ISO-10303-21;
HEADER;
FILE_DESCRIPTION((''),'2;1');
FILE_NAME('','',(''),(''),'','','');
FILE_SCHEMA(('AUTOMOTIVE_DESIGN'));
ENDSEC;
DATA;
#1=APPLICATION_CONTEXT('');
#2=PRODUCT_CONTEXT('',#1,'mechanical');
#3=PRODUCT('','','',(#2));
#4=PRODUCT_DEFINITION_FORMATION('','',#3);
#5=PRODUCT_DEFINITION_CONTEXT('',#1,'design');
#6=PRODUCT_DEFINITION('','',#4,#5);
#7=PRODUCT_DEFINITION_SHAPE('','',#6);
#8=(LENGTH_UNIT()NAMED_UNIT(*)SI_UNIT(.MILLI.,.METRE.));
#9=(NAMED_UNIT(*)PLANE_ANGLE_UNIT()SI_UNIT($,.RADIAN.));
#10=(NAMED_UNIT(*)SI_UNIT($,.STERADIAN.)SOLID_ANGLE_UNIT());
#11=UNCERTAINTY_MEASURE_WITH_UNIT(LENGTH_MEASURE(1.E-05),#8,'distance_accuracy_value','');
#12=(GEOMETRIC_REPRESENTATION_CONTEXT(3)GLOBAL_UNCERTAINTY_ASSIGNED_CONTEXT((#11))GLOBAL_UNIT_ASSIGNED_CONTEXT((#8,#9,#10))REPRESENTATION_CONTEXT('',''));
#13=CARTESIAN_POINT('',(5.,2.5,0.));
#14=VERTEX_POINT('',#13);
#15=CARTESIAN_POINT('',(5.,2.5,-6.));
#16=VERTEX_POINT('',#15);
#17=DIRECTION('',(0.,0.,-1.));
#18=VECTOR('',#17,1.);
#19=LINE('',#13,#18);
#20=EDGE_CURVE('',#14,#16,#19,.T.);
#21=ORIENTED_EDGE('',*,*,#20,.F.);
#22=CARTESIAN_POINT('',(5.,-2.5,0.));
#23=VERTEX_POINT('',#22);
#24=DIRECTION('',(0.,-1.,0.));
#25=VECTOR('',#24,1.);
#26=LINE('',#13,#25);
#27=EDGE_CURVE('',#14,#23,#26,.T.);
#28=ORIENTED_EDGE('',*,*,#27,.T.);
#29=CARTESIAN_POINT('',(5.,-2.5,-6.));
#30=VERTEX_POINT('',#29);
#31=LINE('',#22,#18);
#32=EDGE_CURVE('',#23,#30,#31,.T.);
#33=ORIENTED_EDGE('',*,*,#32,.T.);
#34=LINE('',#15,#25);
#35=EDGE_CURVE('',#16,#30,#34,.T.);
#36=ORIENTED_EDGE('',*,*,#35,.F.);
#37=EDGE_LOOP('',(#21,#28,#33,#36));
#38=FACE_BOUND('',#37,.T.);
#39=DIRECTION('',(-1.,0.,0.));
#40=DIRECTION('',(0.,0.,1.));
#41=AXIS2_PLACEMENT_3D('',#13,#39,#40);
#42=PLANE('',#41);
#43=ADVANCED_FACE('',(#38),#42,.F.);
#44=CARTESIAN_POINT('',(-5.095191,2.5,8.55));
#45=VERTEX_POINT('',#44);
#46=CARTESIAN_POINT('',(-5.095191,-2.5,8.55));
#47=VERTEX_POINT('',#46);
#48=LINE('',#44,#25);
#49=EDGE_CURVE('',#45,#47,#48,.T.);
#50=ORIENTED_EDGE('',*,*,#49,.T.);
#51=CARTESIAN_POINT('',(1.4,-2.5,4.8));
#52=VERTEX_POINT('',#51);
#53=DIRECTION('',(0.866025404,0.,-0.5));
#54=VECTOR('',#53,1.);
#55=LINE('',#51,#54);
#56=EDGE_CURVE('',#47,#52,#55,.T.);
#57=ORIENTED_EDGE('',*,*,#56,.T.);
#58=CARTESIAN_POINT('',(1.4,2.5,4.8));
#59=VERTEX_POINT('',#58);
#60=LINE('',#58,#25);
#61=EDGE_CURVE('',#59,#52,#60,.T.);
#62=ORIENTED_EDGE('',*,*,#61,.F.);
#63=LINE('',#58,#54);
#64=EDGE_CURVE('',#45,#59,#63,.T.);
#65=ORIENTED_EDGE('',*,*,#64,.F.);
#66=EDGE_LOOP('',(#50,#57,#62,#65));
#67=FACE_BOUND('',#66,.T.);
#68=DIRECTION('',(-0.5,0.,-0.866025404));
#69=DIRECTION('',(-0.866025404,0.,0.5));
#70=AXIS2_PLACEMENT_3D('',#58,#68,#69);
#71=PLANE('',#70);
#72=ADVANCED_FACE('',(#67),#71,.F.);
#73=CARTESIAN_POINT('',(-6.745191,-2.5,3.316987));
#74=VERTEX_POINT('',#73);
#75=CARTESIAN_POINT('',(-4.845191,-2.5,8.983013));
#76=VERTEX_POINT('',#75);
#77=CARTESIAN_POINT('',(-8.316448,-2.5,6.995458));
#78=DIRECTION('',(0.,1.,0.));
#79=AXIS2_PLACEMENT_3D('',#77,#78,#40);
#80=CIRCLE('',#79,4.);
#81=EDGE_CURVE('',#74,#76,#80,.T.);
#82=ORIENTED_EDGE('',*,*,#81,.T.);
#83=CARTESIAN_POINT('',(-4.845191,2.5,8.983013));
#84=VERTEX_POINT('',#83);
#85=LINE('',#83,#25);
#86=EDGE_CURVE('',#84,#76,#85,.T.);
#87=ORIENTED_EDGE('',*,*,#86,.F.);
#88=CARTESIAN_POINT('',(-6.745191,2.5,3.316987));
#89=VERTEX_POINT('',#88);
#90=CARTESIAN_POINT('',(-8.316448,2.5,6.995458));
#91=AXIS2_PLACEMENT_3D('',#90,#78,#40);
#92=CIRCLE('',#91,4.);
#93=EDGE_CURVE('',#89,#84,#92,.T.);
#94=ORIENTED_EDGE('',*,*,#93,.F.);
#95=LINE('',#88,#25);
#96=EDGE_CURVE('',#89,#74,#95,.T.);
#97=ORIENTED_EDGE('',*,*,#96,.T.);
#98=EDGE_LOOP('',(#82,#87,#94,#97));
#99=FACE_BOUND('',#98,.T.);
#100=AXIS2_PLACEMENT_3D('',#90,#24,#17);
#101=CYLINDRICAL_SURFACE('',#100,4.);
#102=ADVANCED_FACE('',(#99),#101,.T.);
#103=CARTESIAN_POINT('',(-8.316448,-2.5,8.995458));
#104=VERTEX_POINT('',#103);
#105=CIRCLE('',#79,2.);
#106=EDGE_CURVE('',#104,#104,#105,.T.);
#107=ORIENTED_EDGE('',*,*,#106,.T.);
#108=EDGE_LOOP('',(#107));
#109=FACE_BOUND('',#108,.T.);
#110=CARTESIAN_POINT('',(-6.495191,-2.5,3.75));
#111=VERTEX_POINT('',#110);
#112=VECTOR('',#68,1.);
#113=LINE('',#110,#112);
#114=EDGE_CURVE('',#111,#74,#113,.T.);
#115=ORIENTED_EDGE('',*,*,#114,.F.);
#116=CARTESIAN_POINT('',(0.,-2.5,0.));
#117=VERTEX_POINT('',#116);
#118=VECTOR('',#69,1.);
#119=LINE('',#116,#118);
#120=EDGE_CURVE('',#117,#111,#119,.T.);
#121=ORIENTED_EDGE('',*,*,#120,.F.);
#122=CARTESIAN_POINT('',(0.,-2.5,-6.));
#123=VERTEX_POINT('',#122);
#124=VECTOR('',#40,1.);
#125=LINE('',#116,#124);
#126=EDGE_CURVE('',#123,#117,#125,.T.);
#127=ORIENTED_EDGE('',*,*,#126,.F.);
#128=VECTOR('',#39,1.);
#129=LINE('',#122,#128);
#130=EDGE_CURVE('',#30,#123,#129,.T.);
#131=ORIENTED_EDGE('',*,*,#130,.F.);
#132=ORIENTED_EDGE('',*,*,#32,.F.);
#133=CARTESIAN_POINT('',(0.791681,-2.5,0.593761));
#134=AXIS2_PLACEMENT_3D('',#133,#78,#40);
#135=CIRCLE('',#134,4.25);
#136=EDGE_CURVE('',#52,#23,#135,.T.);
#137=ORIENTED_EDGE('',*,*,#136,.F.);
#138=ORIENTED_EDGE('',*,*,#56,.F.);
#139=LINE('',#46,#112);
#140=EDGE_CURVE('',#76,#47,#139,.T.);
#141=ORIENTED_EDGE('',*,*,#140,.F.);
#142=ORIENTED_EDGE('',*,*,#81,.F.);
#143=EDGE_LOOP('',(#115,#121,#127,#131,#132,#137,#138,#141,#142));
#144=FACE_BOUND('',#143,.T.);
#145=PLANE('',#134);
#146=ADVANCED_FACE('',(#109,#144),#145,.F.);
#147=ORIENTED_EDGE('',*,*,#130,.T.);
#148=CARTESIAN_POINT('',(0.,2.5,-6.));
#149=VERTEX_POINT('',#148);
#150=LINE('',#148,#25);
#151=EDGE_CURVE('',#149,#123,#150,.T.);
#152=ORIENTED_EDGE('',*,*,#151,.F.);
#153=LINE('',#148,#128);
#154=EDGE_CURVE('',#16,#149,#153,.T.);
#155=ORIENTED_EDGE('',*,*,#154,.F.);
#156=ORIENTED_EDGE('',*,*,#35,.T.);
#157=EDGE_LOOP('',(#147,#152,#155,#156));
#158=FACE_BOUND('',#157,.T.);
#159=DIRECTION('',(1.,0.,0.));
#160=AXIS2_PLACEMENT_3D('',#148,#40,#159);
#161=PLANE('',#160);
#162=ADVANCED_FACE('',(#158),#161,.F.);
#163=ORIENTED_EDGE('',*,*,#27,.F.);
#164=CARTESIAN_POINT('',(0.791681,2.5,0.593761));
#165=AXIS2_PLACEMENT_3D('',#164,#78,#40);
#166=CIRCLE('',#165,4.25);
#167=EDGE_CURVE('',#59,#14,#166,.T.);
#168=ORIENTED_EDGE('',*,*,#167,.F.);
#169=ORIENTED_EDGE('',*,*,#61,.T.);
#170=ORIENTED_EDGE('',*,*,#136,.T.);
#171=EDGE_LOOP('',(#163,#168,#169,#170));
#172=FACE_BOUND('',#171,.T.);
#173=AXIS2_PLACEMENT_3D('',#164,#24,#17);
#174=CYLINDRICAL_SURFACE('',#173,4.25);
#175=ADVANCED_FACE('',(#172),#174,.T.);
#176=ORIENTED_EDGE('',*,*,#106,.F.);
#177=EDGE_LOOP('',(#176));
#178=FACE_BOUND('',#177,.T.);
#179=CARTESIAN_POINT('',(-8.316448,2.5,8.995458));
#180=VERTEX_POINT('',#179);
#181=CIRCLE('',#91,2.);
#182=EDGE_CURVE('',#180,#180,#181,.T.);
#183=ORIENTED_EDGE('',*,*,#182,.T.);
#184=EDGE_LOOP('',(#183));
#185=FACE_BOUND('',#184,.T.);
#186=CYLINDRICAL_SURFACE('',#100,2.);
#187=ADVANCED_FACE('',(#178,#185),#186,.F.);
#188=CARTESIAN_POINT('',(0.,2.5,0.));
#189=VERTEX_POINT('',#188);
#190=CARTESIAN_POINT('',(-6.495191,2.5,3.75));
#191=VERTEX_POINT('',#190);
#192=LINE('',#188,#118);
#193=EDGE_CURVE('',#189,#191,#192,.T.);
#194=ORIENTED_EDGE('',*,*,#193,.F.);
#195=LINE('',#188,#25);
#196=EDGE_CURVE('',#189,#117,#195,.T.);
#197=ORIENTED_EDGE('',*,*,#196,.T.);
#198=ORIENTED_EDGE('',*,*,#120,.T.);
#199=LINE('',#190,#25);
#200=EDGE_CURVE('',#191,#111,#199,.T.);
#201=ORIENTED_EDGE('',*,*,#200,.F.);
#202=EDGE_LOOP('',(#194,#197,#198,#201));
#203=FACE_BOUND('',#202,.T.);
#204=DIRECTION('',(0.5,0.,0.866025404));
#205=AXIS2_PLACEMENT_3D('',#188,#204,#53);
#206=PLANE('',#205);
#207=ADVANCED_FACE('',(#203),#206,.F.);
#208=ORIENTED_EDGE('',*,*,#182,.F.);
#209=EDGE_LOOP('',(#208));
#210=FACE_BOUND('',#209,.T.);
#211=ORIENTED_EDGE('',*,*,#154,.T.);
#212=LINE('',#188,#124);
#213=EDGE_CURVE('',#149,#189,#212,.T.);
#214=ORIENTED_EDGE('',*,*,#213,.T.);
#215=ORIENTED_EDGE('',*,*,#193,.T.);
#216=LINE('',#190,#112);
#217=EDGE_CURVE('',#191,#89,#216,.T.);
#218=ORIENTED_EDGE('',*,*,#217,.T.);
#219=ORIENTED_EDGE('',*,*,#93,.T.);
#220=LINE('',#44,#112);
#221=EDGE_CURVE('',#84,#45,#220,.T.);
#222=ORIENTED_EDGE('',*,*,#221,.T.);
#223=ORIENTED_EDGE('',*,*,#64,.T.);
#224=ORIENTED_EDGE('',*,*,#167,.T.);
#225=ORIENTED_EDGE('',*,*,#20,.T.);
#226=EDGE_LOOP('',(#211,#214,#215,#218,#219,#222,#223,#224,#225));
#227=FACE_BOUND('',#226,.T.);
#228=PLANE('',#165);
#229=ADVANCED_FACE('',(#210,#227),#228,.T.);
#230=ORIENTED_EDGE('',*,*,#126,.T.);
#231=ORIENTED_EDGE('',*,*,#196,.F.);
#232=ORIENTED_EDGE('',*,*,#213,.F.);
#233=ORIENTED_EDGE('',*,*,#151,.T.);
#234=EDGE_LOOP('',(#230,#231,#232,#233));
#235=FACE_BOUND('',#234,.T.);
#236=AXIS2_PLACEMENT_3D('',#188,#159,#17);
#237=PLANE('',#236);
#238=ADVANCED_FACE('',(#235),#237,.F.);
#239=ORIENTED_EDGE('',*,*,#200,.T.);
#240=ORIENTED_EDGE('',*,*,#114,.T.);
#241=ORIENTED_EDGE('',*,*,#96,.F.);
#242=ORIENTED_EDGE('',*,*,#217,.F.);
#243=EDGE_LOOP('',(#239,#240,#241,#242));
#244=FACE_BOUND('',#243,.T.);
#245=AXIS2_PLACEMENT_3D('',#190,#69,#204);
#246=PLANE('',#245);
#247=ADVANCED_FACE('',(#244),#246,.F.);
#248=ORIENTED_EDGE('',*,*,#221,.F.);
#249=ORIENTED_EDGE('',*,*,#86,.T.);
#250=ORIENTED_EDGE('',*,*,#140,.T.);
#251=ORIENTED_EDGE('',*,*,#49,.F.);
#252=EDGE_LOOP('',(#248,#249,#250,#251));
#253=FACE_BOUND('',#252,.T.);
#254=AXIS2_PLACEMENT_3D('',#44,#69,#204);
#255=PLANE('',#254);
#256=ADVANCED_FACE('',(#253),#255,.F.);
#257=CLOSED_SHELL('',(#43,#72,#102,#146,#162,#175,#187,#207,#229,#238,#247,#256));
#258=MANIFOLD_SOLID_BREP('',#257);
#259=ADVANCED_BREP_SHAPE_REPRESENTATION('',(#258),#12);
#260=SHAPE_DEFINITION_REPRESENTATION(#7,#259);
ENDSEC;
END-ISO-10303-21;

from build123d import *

# Parameters (mm, degrees)
SKETCH1_R           = 2
BOSS_EXTRUDE2_DEPTH = 2.5


with BuildPart() as part:
    # Sketch1 → Boss-Extrude2 (new body, symmetric)
    with BuildSketch(Plane(origin=(0, 0, 0), x_dir=(1, 0, 0), z_dir=(0, 1, 0))):
        with BuildLine():
            Line((0, 0), (-6.495190528, -3.75))
            Line((-6.495190528, -3.75), (-6.745190528, -3.316987298))
            ThreePointArc((-6.745190528, -3.316987298), (-12.108900988, -8.267189567), (-4.845190528, -8.983012702))
            Line((-4.845190528, -8.983012702), (-5.095190528, -8.55))
            Line((-5.095190528, -8.55), (1.4, -4.8))
            ThreePointArc((1.4, -4.8), (4.191681084, -3.143760813), (5, 0))
            Line((5, 0), (5, 6))
            Line((5, 6), (0, 6))
            Line((0, 6), (0, 0))
        make_face()
        with Locations((-8.316447957, -6.99545846)):
            Circle(SKETCH1_R, mode=Mode.SUBTRACT)
    extrude(amount=BOSS_EXTRUDE2_DEPTH, both=True)


solid = part.part
